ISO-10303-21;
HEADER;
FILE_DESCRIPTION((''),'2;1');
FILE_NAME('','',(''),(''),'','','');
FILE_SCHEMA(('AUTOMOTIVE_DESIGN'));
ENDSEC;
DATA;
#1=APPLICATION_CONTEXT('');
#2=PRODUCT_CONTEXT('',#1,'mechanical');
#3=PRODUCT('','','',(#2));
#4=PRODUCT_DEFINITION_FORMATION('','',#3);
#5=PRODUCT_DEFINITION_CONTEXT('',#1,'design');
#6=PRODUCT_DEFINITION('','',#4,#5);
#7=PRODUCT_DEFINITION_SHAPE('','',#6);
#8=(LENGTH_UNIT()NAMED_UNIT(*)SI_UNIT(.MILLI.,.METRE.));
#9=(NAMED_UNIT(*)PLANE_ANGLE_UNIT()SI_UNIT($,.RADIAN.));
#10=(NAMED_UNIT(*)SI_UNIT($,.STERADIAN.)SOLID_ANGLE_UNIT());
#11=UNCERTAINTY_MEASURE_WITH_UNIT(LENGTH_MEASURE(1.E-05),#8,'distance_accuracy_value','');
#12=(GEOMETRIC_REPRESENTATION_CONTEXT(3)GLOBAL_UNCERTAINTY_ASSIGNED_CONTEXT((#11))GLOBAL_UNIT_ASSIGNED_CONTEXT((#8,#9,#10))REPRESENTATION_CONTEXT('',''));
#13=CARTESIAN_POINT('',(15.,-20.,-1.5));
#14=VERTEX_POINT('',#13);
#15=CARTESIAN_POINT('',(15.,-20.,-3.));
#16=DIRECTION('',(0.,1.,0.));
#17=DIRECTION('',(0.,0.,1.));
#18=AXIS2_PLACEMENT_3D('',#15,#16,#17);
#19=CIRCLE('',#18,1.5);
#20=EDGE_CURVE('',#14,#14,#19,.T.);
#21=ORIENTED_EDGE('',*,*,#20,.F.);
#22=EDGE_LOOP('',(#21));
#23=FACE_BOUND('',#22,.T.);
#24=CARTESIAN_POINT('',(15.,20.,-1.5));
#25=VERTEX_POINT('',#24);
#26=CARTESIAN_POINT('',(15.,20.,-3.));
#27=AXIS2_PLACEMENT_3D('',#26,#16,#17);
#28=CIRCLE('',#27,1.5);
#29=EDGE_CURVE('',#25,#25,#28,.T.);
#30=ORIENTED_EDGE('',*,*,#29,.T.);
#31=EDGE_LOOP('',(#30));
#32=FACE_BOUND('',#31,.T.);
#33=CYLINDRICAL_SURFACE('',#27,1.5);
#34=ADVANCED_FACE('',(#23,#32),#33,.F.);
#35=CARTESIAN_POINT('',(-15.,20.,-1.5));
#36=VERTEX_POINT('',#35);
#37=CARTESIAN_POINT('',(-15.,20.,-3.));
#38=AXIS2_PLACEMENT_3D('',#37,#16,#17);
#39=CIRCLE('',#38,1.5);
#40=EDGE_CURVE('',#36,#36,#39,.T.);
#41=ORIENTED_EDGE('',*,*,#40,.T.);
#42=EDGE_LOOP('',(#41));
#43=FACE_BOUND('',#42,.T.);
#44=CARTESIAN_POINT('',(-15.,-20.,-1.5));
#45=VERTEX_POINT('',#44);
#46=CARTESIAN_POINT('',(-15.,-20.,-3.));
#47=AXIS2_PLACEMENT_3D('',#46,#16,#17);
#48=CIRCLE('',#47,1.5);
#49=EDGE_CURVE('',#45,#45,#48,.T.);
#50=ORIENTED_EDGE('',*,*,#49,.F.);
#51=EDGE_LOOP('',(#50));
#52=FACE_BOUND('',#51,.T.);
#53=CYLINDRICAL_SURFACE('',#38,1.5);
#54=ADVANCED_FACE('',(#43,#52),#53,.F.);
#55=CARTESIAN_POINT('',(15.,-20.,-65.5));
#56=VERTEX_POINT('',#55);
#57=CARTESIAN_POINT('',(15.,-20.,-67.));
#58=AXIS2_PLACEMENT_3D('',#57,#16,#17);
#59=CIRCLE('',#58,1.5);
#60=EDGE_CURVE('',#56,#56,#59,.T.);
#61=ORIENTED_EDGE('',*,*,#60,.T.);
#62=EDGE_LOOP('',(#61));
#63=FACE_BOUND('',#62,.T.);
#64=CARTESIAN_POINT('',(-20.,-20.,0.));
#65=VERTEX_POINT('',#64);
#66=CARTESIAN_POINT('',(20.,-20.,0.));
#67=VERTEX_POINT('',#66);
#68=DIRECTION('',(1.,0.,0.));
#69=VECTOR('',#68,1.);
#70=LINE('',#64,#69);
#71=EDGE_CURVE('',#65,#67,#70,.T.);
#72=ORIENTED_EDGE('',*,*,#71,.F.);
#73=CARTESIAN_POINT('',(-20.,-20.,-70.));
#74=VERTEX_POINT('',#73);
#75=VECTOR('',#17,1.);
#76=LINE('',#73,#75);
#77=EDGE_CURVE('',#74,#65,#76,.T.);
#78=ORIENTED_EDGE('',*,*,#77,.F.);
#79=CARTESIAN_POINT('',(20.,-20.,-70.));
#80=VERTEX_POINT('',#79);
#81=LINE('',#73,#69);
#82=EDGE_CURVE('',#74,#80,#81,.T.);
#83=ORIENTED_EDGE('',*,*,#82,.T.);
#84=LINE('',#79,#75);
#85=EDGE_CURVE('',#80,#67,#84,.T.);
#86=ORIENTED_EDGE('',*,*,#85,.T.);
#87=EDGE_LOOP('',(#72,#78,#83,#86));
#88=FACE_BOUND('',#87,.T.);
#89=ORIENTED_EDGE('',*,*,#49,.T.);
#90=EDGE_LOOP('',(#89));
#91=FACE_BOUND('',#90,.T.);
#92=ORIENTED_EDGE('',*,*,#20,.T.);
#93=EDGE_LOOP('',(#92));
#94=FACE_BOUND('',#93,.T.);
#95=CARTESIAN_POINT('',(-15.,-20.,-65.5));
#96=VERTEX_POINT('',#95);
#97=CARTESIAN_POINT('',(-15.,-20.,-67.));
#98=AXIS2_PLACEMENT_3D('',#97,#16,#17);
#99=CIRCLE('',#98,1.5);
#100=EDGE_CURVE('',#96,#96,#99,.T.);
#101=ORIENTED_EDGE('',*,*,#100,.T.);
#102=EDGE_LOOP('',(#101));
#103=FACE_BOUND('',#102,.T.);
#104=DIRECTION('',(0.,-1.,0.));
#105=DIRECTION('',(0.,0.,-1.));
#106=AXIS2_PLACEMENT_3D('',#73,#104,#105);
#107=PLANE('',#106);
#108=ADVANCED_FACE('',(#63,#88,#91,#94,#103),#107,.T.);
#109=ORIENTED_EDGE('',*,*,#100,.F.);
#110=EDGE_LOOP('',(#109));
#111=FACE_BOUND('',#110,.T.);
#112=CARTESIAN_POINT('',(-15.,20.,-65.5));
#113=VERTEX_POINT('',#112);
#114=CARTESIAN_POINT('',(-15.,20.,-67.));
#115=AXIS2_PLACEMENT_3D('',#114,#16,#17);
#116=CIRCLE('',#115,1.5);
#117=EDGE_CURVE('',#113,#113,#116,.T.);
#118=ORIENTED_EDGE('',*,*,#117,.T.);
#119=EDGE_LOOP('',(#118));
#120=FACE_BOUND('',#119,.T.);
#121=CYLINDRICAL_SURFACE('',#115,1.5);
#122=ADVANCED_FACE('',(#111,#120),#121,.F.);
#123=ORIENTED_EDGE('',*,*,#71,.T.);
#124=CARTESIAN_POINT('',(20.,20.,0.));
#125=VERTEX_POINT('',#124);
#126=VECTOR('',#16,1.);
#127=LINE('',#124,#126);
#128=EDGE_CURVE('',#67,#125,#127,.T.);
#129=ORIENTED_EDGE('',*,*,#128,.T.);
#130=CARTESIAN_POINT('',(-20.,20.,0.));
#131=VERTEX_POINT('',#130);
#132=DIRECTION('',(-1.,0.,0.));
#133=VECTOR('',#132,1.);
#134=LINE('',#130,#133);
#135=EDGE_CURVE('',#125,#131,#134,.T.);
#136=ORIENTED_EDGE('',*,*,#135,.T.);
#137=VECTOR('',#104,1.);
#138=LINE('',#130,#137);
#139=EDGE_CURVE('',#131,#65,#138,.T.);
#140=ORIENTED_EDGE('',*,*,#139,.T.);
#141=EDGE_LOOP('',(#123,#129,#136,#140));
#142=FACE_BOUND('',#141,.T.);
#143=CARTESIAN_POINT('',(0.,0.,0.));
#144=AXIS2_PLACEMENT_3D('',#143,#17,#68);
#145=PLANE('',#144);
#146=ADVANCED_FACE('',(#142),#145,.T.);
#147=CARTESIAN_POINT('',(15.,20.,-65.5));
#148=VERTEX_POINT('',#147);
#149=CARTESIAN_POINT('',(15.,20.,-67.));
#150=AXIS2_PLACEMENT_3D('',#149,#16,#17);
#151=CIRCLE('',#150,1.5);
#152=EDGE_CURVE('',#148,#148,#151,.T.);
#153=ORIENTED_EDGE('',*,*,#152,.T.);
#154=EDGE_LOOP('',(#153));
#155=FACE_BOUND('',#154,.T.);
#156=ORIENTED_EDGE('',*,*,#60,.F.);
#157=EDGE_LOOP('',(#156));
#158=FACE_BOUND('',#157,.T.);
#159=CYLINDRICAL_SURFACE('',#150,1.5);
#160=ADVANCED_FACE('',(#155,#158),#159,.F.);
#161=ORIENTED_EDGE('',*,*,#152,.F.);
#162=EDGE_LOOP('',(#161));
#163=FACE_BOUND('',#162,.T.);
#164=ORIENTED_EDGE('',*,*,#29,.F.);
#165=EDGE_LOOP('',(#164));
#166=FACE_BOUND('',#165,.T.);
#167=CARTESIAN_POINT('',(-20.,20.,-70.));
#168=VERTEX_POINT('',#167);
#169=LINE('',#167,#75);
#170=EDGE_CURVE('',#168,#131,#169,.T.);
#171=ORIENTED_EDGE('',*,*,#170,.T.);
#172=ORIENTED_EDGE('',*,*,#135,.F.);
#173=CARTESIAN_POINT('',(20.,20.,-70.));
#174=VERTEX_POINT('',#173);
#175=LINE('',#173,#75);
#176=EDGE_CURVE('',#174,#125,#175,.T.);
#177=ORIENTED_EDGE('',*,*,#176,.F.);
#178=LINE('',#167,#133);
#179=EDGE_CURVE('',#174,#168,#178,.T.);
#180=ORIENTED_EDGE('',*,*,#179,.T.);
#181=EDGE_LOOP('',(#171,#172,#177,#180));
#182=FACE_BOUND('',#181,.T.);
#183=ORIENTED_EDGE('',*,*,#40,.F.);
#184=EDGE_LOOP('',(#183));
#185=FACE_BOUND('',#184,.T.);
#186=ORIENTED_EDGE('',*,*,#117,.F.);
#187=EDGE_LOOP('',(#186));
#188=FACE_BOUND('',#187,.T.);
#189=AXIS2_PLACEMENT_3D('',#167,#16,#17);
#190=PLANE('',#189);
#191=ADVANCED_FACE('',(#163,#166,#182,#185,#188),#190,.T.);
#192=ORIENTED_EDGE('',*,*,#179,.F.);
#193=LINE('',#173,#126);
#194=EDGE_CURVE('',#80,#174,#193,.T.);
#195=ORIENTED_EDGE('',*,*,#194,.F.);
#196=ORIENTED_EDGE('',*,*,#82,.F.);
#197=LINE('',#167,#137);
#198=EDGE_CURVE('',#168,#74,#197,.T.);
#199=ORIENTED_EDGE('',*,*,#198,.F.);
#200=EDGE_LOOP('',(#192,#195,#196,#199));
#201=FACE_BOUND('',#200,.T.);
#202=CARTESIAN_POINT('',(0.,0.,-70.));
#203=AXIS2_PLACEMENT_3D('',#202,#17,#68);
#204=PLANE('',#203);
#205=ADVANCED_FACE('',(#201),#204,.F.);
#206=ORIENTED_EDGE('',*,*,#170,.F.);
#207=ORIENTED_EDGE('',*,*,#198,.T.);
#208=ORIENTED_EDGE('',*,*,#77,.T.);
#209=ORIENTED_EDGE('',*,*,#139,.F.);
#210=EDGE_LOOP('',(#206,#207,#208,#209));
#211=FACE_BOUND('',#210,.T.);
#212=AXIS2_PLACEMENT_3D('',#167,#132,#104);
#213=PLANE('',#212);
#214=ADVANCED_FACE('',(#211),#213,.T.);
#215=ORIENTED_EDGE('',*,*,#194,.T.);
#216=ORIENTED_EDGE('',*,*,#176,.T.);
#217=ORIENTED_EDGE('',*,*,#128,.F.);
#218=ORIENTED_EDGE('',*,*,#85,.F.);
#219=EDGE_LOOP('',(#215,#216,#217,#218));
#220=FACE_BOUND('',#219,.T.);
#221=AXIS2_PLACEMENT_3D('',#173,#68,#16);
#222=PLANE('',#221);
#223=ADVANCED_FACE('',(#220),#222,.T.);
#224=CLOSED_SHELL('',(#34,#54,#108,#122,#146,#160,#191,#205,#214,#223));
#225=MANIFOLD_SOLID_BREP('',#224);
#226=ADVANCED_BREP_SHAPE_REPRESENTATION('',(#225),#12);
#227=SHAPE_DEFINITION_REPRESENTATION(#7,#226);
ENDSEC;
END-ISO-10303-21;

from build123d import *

# Parameters (mm, degrees)
SKETCH_1_W            = 40
SKETCH_1_H            = 40
EXTRUDE_1_DEPTH       = 70
HOLE_WIZARD_3_0_3_1_D = 3


with BuildPart() as part:
    # 草图1 → 凸台-拉伸1 (new body)
    with BuildSketch(Plane.XY):
        Rectangle(SKETCH_1_W, SKETCH_1_H)
    extrude(amount=-EXTRUDE_1_DEPTH)

    # Ø3.0 (3) 直径孔1 (through all)
    with Locations(Plane(origin=(-15, 20, -67), x_dir=(0, 0, 1), z_dir=(0, 1, 0))):
        with Locations((0, 0), (0, 30), (64, 0), (64, 30)):
            Hole(HOLE_WIZARD_3_0_3_1_D / 2)


solid = part.part
